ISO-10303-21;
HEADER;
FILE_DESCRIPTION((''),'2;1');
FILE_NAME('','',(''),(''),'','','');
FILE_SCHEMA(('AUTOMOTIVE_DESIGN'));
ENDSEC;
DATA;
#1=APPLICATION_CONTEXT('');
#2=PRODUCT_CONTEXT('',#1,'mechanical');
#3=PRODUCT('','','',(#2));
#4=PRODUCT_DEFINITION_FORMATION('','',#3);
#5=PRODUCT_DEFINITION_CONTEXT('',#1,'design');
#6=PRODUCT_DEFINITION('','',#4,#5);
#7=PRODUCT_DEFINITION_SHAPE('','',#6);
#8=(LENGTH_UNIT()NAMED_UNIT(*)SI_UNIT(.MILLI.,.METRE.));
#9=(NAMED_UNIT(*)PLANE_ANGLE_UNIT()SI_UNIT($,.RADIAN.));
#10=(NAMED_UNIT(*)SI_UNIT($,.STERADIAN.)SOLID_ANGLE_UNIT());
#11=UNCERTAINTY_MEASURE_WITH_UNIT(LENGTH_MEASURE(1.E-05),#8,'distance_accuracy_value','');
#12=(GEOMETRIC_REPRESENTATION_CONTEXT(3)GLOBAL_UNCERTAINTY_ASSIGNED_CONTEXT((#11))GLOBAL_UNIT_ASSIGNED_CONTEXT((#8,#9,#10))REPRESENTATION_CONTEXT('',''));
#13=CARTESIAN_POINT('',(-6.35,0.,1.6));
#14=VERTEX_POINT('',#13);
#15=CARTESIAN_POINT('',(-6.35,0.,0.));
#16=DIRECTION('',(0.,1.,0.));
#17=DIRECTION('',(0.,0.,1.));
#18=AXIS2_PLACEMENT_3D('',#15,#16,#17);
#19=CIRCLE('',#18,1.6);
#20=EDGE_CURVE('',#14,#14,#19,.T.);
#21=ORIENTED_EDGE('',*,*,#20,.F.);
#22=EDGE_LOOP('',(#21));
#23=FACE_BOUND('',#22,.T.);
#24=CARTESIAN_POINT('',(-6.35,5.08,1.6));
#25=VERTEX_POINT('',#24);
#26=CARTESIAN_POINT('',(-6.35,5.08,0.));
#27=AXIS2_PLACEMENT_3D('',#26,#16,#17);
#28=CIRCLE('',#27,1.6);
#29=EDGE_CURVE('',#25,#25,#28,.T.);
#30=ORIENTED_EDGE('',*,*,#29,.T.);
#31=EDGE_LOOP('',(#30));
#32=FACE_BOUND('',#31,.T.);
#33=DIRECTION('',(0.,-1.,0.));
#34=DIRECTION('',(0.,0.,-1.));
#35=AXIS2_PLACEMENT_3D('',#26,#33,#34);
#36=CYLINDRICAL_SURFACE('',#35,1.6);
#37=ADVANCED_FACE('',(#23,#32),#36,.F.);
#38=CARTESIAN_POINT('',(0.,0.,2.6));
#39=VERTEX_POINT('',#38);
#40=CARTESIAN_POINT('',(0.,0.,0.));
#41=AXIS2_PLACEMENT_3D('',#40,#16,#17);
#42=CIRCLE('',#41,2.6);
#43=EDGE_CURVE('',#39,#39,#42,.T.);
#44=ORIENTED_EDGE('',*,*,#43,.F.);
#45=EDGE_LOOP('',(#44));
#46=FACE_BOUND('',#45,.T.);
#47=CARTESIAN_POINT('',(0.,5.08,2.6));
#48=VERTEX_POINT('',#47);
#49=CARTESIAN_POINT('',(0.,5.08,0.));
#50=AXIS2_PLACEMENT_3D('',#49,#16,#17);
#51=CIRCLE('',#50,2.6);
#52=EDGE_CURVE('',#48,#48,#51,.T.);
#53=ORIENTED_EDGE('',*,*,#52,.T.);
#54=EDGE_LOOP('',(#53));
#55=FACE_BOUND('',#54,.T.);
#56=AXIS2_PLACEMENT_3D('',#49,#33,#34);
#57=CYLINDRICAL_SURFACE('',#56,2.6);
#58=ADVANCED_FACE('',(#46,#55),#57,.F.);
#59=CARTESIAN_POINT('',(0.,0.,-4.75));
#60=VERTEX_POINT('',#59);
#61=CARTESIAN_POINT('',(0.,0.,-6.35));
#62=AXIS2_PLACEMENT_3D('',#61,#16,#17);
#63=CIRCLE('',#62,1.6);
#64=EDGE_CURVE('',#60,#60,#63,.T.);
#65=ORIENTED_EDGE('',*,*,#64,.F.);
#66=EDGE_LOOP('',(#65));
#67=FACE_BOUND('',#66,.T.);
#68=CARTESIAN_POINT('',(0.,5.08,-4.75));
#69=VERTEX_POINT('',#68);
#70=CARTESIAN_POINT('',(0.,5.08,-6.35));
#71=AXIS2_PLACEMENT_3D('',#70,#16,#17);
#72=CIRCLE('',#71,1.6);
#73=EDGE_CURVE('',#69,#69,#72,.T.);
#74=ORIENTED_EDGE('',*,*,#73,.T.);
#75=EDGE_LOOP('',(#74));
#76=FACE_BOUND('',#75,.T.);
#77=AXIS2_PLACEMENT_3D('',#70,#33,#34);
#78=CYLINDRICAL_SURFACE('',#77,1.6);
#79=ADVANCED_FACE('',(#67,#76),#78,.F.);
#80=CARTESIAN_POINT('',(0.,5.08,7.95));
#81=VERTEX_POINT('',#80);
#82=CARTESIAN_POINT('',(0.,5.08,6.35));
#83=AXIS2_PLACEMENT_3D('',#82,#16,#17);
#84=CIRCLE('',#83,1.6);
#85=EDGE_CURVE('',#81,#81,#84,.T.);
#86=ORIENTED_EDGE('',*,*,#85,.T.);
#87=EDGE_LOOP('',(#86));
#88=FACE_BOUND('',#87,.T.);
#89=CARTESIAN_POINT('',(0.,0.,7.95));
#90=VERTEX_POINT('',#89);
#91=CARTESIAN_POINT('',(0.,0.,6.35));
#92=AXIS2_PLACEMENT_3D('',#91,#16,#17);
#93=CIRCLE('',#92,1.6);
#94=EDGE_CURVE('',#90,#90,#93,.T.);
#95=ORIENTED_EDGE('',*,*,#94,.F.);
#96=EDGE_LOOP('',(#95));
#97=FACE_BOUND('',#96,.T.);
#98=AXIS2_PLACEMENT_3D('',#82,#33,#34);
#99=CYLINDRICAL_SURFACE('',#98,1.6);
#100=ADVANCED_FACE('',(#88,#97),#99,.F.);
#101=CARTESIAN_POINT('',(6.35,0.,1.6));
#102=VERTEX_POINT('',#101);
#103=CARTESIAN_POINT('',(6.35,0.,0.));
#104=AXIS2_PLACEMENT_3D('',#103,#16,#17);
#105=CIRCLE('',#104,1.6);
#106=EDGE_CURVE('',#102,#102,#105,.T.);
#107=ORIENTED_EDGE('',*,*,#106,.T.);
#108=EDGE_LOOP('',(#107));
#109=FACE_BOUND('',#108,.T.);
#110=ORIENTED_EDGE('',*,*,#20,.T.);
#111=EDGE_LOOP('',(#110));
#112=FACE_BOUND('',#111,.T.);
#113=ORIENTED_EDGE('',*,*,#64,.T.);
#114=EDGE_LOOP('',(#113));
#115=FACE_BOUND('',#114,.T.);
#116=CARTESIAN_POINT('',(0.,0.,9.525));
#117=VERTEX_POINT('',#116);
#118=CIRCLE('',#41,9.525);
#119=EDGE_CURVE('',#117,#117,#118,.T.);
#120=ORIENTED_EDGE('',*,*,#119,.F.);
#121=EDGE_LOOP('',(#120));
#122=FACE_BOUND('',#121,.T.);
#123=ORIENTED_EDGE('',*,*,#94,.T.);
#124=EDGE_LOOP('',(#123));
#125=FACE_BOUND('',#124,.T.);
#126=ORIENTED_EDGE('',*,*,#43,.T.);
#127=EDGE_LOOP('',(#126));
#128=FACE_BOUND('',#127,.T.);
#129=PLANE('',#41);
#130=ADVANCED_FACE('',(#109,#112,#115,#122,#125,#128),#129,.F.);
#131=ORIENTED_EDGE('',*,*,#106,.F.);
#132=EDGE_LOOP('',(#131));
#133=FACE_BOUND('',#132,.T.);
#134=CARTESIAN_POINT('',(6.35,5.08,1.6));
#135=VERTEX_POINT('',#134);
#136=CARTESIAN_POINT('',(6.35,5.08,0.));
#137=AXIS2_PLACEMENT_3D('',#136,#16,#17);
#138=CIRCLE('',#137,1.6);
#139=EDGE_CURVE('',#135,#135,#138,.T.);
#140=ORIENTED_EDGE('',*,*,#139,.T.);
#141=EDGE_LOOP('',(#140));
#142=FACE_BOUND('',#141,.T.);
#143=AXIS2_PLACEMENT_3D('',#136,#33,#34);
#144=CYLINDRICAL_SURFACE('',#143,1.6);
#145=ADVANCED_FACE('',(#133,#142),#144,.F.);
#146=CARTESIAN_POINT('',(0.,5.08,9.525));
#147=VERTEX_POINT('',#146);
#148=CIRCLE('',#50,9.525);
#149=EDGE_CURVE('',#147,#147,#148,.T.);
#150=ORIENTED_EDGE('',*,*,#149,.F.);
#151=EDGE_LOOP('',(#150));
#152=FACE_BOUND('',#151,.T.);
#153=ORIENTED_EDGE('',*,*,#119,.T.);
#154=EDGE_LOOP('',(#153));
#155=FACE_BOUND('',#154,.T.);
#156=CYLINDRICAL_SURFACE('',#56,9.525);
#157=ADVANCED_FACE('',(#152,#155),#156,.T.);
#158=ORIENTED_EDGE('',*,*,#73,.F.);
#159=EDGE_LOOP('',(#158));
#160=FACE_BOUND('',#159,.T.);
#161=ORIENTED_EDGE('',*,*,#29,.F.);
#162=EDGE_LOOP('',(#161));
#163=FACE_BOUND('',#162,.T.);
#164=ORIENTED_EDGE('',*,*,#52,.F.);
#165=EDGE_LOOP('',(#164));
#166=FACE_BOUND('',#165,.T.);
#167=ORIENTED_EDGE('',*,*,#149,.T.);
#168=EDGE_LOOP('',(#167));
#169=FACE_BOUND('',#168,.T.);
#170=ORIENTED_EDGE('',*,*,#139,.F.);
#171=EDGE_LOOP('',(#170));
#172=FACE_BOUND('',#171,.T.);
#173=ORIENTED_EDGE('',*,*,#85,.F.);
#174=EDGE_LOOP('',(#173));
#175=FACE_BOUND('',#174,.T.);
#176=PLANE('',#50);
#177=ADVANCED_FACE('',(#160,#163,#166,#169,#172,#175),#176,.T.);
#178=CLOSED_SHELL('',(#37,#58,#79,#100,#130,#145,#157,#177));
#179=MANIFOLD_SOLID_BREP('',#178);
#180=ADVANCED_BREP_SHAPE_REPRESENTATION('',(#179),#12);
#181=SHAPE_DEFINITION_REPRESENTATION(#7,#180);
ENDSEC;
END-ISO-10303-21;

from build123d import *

# Parameters (mm, degrees)
SKETCH1_R           = 9.525
SKETCH1_R_2         = 1.6
SKETCH1_R_3         = 2.6
BOSS_EXTRUDE1_DEPTH = 5.08


with BuildPart() as part:
    # Sketch1 → Boss-Extrude1 (new body)
    with BuildSketch(Plane(origin=(0, 0, 0), x_dir=(1, 0, 0), z_dir=(0, 1, 0))):
        with Locations(Location((0, 0, 0), (0, 0, 270))):
            Circle(SKETCH1_R)
        with Locations(Location((0, 6.35, 0), (0, 0, 270))):
            Circle(SKETCH1_R_2, mode=Mode.SUBTRACT)
        with Locations(Location((6.35, 0, 0), (0, 0, 270))):
            Circle(SKETCH1_R_2, mode=Mode.SUBTRACT)
        with Locations(Location((0, -6.35, 0), (0, 0, 270))):
            Circle(SKETCH1_R_2, mode=Mode.SUBTRACT)
        with Locations(Location((-6.35, 0, 0), (0, 0, 270))):
            Circle(SKETCH1_R_2, mode=Mode.SUBTRACT)
        with Locations(Location((0, 0, 0), (0, 0, 270))):
            Circle(SKETCH1_R_3, mode=Mode.SUBTRACT)
    extrude(amount=BOSS_EXTRUDE1_DEPTH)


solid = part.part
